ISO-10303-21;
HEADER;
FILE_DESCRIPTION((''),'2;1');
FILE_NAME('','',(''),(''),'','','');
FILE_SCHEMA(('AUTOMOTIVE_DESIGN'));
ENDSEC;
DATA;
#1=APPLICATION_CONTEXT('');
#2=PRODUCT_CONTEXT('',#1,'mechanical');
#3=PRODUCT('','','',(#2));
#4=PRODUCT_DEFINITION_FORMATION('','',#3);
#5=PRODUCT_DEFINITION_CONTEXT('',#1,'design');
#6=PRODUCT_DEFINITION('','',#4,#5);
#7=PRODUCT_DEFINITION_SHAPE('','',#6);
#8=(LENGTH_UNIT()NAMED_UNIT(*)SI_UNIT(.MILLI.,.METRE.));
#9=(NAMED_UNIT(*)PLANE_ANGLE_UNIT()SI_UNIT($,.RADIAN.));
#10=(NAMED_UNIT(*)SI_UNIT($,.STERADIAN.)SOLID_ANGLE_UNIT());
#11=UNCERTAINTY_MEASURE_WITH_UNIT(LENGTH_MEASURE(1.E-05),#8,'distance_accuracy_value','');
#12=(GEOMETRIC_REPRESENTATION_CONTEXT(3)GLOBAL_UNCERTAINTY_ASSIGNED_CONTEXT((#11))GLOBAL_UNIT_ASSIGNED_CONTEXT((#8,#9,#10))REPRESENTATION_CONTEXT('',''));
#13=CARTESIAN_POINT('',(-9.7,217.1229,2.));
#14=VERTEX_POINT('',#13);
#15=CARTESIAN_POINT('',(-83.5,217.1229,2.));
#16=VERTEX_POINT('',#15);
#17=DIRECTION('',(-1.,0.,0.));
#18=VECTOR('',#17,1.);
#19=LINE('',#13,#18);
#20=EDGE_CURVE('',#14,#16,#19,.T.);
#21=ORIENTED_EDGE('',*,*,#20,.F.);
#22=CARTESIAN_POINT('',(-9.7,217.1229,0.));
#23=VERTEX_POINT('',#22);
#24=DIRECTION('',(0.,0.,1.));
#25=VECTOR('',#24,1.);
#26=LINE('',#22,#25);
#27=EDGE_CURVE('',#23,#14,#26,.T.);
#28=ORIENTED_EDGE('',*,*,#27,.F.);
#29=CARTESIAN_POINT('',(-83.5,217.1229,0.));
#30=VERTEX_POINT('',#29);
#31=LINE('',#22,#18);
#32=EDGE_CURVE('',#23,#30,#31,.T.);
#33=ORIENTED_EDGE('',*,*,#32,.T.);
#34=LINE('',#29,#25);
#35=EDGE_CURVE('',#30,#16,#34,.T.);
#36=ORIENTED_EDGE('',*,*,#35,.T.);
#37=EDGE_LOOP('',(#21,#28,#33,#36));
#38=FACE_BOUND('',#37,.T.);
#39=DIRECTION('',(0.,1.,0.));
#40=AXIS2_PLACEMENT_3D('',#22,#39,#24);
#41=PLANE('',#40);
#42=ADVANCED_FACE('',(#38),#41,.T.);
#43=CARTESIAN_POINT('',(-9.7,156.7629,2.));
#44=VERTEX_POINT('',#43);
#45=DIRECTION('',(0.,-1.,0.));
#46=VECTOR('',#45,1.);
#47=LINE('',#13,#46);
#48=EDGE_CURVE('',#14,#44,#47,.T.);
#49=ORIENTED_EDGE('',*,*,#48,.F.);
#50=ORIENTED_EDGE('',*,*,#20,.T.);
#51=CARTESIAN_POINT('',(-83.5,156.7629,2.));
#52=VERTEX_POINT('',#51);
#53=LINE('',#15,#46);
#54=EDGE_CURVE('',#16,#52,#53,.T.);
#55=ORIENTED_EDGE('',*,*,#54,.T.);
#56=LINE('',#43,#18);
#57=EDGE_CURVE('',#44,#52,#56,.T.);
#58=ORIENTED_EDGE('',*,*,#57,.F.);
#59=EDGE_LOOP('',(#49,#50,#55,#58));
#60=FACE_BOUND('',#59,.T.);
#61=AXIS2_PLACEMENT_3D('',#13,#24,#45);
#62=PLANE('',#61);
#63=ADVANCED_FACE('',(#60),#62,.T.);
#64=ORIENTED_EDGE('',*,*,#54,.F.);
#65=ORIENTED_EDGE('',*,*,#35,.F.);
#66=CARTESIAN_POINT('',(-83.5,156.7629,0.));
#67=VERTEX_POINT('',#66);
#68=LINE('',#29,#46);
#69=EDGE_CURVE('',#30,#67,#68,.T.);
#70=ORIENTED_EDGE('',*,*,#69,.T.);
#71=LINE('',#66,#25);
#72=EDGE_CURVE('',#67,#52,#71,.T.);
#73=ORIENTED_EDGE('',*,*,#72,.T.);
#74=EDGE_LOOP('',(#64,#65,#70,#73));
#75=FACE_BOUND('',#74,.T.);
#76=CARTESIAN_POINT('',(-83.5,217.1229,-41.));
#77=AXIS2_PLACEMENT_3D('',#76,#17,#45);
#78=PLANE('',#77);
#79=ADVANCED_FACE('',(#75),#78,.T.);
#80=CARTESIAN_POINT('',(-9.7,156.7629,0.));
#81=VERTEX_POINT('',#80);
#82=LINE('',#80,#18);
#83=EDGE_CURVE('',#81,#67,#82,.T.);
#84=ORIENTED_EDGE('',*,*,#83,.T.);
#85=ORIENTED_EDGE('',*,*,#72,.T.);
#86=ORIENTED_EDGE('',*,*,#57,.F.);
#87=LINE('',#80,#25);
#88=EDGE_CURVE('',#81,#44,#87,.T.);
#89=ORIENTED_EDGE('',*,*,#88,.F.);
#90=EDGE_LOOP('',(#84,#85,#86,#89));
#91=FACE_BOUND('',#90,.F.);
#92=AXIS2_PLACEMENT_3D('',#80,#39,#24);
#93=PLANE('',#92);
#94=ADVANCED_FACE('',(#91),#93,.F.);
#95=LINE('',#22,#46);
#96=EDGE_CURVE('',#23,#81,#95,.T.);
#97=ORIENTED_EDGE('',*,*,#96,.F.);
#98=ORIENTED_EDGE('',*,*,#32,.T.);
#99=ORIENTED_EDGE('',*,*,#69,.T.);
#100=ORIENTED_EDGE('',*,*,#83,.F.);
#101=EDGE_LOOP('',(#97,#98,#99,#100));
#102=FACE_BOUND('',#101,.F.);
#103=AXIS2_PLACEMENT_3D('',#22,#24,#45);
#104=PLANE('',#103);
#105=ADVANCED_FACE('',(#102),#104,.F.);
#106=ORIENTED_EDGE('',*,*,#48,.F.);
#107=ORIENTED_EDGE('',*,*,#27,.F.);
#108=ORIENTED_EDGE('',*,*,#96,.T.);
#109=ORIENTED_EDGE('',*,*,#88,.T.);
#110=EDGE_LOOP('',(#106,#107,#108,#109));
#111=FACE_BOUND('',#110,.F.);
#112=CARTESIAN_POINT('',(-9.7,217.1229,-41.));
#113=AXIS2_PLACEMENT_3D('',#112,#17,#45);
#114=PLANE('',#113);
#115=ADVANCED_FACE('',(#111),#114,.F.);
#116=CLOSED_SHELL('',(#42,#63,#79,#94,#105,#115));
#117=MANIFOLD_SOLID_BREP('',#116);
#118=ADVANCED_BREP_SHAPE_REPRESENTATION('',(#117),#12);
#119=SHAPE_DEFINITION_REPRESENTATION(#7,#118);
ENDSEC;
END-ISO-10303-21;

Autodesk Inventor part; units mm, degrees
ref_plane "YZ Plane" through (0, 0, 0) normal (1, 0, 0) x (0, 1, 0)
ref_plane "XZ Plane" through (0, 0, 0) normal (0, 1, 0) x (-1, 0, 0)
ref_plane "РабПлоскость1" through (0, 0, 0) normal (0, 0, 1) x (1, 0, 0)
ref_plane "РабПлоскость2" through (-9.7, 217.1229, -41) normal (-1, 0, 0) x (0, -1, 0)
ref_plane "РабПлоскость3" through (-83.5, 156.7629, -36.5) normal (1, 0, 0) x (0, 1, 0)
sketch "Эскиз2" plane through (-9.7, 217.1229, -41) normal (-1, 0, 0) x (0, -1, 0)
  line L0 (0, 0) -> (0, 41) projected
  line L1 (61.68, 0) -> (61.68, 39) projected
  line L2 (60.36, 0) -> (60.36, 41) projected
  line L3 (0, 41) -> (0, 43)
  line L4 (0, 43) -> (60.36, 43)
  line L5 (60.36, 41) -> (60.36, 43)
  line L6 (0, 41) -> (60.36, 41)
  point P0 (217.1229, 41)
  dimension "d0" = 2
extrude "Выдавливание1" add sketch "Эскиз2" along normal up to surface (73.8 mm away)
properties part number "задняя часть спины"
